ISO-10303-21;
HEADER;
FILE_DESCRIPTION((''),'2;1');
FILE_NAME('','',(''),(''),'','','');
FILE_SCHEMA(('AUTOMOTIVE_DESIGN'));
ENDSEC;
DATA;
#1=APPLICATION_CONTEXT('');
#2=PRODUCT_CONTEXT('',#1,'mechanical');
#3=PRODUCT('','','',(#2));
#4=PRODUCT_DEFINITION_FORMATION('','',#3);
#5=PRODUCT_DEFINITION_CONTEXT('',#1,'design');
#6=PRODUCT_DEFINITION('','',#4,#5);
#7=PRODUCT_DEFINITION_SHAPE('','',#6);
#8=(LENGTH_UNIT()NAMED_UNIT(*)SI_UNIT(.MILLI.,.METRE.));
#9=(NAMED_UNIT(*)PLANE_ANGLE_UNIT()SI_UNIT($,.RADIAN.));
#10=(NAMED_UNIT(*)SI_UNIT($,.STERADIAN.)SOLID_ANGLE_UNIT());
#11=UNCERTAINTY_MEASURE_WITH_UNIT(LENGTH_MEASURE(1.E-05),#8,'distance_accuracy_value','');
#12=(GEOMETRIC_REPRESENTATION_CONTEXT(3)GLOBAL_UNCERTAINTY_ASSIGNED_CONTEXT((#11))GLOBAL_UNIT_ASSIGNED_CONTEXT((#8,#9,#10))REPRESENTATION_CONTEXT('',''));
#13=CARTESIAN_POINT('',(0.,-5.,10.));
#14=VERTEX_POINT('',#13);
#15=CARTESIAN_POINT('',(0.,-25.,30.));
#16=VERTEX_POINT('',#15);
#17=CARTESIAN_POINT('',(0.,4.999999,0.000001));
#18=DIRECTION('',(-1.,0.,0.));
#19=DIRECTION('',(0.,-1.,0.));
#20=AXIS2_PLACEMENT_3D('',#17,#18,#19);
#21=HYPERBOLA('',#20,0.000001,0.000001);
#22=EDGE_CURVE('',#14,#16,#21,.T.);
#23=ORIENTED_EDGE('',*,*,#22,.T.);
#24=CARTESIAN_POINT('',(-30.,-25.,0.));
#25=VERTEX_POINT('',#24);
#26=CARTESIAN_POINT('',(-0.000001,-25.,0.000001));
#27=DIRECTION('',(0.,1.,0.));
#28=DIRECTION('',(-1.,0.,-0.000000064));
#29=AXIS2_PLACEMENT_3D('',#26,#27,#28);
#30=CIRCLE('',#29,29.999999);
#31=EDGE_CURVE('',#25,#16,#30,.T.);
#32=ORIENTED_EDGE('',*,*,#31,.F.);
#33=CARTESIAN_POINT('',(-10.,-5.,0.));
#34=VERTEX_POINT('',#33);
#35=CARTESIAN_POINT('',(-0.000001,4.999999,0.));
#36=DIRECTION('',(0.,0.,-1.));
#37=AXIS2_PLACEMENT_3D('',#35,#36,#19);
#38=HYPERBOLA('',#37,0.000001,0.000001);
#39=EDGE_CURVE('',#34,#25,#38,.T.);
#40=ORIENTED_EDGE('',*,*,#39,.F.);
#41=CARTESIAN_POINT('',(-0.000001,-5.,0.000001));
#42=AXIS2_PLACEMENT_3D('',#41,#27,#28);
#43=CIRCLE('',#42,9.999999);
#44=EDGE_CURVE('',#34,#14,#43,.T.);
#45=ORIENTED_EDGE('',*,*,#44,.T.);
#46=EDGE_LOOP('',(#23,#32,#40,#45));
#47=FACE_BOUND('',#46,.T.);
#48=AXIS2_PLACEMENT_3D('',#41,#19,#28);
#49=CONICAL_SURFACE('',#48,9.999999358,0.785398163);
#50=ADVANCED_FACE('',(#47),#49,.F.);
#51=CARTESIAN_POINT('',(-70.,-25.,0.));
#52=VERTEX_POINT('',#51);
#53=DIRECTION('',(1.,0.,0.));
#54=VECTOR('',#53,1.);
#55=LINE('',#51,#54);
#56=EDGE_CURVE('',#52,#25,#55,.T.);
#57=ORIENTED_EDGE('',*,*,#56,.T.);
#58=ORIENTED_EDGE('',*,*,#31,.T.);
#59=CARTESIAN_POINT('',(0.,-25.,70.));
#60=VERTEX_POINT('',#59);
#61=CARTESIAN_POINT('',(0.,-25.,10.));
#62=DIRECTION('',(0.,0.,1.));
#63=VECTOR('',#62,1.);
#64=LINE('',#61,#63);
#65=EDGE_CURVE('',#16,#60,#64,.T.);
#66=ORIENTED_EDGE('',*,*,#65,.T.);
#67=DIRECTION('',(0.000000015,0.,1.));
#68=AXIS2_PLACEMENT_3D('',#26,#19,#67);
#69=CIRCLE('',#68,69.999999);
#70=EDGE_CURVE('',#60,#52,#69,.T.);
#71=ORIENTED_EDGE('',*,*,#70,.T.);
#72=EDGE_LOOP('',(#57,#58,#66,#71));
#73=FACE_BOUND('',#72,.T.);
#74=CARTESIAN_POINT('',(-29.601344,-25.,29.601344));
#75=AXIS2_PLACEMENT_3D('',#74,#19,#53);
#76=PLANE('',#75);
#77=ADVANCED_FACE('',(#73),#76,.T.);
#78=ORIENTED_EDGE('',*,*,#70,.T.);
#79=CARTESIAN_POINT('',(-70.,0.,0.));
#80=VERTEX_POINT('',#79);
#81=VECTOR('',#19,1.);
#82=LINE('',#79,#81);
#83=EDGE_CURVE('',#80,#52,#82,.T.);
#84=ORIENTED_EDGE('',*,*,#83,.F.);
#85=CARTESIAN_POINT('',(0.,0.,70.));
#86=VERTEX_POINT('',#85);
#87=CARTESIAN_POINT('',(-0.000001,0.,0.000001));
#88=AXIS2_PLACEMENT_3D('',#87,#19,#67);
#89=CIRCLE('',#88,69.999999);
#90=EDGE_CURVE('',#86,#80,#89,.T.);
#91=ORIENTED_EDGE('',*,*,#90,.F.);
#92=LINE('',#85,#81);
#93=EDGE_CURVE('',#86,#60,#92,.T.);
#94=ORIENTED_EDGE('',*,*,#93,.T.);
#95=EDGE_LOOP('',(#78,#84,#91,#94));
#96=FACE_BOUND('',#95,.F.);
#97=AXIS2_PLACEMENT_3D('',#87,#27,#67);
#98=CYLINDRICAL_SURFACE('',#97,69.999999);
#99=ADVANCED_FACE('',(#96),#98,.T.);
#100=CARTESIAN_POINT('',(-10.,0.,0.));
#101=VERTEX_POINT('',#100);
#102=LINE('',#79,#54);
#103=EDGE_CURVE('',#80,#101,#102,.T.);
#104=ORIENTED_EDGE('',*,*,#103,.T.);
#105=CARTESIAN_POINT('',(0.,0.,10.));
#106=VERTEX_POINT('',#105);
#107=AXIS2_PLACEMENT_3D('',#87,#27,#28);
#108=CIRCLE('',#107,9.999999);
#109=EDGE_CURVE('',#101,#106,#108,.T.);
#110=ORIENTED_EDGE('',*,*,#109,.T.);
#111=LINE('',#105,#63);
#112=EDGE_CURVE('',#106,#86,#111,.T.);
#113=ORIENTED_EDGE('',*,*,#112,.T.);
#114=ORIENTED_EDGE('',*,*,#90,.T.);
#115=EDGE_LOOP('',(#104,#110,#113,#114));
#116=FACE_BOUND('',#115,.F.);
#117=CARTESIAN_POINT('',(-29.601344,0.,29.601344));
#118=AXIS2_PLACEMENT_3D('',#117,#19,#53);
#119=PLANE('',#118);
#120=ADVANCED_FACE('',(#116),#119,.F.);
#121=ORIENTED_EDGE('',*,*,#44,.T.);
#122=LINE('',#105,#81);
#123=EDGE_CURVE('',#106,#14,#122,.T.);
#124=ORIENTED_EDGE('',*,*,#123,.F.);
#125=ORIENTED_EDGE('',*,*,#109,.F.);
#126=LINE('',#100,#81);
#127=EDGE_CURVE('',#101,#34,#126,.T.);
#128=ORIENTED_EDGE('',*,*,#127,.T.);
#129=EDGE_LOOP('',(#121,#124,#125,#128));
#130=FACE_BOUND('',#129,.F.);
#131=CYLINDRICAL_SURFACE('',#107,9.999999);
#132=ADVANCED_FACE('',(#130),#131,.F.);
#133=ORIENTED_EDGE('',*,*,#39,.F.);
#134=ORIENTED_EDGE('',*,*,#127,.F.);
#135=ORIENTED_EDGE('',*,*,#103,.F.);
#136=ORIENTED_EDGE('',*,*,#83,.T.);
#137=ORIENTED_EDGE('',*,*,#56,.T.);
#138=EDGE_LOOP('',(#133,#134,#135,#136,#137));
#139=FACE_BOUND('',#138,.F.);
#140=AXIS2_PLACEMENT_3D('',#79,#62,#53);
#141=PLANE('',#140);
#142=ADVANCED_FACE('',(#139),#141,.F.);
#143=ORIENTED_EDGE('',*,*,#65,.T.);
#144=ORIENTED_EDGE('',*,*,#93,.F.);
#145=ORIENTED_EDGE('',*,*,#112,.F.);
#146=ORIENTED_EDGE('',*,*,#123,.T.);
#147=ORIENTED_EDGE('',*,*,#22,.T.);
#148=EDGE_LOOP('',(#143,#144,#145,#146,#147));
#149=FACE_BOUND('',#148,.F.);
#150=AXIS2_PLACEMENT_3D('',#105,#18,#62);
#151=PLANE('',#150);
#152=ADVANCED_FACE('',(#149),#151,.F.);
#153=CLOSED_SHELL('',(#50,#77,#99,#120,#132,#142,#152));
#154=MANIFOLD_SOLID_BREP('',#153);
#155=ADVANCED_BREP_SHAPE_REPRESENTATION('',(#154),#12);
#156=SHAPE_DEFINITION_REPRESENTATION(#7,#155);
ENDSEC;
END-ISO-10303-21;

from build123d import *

# Parameters (mm, degrees)
F1_DEPTH = 25
F2_SIZE  = 20


with BuildPart() as f1:
    # F0 (on Front) → F1 (new body)
    with BuildSketch(Plane.XZ):
        with BuildLine():
            Line((0, 10), (0, 70))
            ThreePointArc((0, 70), (-49.497475, 49.497475), (-70, 0))
            Line((-70, 0), (-10, 0))
            ThreePointArc((-10, 0), (-7.071068, 7.071068), (0, 10))
        make_face()
    extrude(amount=F1_DEPTH)

    # F2
    f2_edges = [f1.edges().sort_by_distance(p)[0] for p in [
        (-7.071068, -25, 7.071068),
    ]]
    chamfer(f2_edges, length=F2_SIZE)


solid = f1.part
